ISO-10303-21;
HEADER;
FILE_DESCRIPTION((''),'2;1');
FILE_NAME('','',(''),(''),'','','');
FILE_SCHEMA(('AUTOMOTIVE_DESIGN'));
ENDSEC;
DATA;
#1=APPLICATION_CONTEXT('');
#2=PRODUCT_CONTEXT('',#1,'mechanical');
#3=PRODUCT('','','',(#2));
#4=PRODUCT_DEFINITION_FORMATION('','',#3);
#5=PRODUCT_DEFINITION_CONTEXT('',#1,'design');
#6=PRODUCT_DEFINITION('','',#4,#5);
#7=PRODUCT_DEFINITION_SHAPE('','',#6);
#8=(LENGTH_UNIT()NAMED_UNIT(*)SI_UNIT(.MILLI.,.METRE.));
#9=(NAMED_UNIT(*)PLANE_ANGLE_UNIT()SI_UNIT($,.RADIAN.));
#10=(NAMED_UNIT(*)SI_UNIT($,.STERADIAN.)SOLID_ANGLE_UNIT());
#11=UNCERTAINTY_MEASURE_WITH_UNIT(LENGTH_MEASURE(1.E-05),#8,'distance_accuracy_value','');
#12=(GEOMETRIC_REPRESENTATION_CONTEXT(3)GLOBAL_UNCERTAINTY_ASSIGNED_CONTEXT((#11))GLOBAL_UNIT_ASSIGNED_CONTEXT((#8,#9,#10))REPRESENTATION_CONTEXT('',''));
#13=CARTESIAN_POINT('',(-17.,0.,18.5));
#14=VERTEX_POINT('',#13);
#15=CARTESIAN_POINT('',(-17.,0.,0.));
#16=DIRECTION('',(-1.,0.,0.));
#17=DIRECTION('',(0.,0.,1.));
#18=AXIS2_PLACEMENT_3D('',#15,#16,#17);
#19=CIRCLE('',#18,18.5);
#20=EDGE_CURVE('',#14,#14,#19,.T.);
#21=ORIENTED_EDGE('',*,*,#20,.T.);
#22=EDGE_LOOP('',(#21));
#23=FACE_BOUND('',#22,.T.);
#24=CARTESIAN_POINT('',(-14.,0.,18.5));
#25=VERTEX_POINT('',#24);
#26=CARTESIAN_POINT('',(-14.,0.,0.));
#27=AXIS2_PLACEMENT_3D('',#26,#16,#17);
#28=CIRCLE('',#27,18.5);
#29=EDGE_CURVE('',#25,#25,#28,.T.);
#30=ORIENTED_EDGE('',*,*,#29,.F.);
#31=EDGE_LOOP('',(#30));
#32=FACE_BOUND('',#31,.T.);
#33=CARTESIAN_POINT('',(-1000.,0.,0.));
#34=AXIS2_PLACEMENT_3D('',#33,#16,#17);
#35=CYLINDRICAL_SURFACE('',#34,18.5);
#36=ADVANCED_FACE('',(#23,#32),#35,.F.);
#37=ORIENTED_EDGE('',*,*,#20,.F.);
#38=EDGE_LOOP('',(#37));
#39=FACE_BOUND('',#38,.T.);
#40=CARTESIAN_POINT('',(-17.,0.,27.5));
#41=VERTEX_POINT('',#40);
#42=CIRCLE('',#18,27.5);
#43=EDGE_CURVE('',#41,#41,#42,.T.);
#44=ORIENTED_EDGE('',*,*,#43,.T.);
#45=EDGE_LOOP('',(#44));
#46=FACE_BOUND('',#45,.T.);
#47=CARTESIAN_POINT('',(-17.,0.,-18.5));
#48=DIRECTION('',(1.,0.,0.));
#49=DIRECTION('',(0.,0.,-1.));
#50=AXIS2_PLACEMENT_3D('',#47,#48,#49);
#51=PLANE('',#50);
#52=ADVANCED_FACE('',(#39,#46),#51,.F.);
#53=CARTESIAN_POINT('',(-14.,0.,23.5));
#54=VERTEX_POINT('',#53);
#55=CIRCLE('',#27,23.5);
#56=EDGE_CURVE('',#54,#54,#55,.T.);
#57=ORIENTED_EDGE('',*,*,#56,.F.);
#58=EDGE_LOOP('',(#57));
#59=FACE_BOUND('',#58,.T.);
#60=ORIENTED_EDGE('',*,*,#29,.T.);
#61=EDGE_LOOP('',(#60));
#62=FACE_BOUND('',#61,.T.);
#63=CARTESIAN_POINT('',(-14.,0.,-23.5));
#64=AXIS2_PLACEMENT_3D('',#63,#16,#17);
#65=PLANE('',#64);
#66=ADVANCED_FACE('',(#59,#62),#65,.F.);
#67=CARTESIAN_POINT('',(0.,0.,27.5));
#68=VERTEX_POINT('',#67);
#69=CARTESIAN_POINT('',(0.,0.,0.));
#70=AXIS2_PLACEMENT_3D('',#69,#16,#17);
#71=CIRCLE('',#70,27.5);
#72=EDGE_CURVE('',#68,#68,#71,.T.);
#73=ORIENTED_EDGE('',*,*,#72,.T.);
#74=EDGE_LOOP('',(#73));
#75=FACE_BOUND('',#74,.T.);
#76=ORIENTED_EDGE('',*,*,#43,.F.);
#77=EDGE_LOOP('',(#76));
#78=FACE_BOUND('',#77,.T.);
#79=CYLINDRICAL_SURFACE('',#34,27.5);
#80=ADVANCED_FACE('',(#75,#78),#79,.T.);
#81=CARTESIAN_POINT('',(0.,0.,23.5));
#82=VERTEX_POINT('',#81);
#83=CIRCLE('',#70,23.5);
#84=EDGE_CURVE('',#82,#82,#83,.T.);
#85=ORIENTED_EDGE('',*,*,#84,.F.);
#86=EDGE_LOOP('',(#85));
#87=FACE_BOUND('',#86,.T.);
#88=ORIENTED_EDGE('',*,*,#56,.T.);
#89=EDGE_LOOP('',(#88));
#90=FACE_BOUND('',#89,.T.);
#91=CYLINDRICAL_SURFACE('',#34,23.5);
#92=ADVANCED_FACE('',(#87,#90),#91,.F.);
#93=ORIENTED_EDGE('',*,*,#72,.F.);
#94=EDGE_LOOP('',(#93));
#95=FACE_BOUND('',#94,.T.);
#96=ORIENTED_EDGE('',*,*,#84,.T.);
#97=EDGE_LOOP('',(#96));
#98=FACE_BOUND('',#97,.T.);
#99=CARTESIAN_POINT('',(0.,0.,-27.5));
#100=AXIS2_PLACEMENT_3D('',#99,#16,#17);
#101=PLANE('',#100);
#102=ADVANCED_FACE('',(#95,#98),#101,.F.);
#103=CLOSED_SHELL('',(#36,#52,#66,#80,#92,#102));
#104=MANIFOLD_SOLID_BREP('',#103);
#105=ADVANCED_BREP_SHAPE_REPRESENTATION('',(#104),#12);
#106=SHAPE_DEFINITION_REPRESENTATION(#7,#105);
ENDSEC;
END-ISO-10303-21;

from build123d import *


with BuildPart() as part:
    # Эскиз1 → Повернуть1 (revolve)
    with BuildSketch(Plane(origin=(0, 0, 0), x_dir=(1, 0, 0), z_dir=(0, 1, 0))):
        Polygon((0, 23.5), (-14, 23.5), (-14, 18.5), (-17, 18.5), (-17, 27.5), (0, 27.5), align=None)
    revolve(axis=Axis((-1000, 0, 0), (1, 0, 0)))


solid = part.part
